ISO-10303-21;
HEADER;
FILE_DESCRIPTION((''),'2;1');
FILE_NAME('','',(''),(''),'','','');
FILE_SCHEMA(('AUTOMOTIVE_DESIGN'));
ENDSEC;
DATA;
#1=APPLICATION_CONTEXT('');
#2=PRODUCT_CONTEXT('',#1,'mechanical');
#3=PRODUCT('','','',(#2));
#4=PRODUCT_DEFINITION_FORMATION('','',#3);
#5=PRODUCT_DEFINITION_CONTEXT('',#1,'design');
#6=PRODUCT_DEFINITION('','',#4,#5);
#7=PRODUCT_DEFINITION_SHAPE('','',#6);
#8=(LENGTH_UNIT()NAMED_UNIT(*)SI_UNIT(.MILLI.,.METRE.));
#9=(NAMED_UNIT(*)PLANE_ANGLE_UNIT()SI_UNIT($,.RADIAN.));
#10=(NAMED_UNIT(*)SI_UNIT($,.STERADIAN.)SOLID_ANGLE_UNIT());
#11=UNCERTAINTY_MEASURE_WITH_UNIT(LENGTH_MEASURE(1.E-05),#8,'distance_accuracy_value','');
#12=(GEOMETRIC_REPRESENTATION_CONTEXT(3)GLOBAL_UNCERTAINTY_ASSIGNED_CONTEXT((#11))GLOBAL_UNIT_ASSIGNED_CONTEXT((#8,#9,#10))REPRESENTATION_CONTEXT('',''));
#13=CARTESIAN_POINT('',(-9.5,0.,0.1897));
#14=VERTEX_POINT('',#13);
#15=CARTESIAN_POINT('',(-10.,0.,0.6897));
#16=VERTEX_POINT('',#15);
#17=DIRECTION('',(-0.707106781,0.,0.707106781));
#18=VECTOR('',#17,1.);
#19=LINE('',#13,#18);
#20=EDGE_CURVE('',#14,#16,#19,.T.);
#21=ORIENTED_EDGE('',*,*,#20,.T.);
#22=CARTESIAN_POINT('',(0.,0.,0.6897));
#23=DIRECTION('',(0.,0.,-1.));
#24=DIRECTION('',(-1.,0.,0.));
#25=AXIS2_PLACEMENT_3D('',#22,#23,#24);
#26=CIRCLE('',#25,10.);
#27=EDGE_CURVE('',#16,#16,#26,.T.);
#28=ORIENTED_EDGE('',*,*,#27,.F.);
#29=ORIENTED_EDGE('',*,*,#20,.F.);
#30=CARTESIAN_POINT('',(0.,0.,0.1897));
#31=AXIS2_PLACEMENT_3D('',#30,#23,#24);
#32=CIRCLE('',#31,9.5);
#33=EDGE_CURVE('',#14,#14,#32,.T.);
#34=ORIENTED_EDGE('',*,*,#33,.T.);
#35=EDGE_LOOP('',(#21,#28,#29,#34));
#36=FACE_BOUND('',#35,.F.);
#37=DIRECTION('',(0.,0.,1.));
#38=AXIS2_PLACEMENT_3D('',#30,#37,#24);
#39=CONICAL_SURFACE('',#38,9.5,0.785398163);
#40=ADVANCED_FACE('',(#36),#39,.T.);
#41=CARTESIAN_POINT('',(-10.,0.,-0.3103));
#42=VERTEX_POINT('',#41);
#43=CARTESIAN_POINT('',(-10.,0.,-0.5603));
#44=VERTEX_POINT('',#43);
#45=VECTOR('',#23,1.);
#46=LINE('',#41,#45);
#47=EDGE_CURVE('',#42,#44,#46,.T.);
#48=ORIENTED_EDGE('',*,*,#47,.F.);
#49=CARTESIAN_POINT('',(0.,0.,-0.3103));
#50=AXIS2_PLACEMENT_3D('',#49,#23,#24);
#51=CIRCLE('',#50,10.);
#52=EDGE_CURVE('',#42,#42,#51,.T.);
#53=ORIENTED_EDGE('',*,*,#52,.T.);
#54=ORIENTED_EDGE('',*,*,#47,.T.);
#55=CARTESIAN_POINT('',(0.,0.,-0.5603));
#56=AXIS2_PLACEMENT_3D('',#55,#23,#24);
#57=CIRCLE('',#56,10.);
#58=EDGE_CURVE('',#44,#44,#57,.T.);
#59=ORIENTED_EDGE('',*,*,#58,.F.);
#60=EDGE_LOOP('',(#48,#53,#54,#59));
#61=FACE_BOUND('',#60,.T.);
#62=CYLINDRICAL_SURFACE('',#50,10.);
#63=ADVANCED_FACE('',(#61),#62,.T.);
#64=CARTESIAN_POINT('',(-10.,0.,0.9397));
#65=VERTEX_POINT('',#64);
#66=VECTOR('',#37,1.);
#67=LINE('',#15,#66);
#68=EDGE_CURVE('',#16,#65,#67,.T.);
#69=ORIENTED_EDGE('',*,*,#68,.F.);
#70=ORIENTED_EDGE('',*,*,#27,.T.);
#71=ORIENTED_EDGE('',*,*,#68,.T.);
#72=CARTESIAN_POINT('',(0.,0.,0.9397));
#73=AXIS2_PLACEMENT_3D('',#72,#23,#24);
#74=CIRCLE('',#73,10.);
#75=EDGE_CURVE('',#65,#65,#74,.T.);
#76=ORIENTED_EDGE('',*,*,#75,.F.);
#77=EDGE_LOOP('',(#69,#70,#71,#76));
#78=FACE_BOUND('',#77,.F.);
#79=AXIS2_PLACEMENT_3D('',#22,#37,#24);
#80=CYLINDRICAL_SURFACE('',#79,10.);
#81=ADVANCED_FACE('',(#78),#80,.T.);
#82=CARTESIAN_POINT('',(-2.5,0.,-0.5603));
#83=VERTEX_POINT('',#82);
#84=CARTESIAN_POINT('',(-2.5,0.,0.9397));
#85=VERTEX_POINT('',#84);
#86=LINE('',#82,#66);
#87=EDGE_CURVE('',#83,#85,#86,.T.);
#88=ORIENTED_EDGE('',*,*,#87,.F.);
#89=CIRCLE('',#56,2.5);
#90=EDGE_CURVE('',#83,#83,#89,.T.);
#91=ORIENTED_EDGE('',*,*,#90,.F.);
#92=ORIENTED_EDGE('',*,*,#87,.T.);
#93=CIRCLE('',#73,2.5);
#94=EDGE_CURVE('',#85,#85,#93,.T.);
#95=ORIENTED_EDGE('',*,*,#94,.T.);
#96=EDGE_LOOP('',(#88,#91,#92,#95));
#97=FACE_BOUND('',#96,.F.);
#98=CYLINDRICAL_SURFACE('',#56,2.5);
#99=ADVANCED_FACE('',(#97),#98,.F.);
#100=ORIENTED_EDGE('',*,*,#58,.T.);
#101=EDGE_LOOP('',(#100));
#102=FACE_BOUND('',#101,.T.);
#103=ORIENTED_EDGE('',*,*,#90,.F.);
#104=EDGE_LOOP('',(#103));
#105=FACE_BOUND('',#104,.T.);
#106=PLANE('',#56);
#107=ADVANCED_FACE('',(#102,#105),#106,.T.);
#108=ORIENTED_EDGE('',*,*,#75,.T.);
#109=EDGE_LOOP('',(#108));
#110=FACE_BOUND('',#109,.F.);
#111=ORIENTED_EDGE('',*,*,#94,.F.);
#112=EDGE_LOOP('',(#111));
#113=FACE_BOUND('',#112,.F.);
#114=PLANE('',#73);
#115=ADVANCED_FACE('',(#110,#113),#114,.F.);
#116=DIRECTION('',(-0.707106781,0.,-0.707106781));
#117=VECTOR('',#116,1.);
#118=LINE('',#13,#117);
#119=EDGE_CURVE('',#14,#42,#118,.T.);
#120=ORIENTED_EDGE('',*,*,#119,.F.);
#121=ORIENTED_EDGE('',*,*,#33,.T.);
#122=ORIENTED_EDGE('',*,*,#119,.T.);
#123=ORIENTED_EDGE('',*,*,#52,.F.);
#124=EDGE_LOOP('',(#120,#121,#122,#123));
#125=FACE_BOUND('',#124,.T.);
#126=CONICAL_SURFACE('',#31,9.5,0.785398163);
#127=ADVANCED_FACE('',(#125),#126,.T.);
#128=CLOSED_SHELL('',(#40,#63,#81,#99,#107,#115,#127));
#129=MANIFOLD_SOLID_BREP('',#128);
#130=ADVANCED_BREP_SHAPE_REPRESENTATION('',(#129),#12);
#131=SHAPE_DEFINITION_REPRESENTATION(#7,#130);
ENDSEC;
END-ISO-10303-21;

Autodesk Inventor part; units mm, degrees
ref_plane "YZ Plane" through (0, 0, 0) normal (1, 0, 0) x (0, 1, 0)
ref_plane "XZ Plane" through (0, 0, 0) normal (0, 1, 0) x (-1, 0, 0)
ref_plane "XY Plane" through (0, 0, 0) normal (0, 0, 1) x (1, 0, 0)
sketch "Sketch1" plane through (0, 0, 0) normal (0, 1, 0) x (-1, 0, 0)
  line L0 (9.5, 0.1897) -> (10, 0.6897)
  line L1 (10, 0.6897) -> (10, 0.9397)
  line L2 (10, 0.9397) -> (0, 0.9397)
  line L3 (9.5, 0.1897) -> (-0.1607, 0.1897) construction
  line L4 (9.5, 0.1897) -> (10, -0.3103)
  line L5 (10, -0.3103) -> (10, -0.5603)
  line L6 (10, -0.5603) -> (0, -0.5603)
  line L7 (0, 0.9397) -> (0, -0.5603)
  dimension "d1" = 1.5
  dimension "d2" = 1
  dimension "d3" = 90
revolve "Revolution1" add sketch "Sketch1" angle 360 about axis through (0, 0, 0.9397) along (0, 0, -1)
sketch "Sketch2" plane through (0, 0, -0.5603) normal (0, 0, -1) x (-1, 0, 0)
  circle A0 centre (0, 0) radius 10 projected
  circle A1 centre (0, 0) radius 2.5
  point P0 (0, 0)
  dimension "d5" = 5
extrude "Extrusion1" cut sketch "Sketch2" against normal blind 10 contours A1
properties part number "kladicka"
